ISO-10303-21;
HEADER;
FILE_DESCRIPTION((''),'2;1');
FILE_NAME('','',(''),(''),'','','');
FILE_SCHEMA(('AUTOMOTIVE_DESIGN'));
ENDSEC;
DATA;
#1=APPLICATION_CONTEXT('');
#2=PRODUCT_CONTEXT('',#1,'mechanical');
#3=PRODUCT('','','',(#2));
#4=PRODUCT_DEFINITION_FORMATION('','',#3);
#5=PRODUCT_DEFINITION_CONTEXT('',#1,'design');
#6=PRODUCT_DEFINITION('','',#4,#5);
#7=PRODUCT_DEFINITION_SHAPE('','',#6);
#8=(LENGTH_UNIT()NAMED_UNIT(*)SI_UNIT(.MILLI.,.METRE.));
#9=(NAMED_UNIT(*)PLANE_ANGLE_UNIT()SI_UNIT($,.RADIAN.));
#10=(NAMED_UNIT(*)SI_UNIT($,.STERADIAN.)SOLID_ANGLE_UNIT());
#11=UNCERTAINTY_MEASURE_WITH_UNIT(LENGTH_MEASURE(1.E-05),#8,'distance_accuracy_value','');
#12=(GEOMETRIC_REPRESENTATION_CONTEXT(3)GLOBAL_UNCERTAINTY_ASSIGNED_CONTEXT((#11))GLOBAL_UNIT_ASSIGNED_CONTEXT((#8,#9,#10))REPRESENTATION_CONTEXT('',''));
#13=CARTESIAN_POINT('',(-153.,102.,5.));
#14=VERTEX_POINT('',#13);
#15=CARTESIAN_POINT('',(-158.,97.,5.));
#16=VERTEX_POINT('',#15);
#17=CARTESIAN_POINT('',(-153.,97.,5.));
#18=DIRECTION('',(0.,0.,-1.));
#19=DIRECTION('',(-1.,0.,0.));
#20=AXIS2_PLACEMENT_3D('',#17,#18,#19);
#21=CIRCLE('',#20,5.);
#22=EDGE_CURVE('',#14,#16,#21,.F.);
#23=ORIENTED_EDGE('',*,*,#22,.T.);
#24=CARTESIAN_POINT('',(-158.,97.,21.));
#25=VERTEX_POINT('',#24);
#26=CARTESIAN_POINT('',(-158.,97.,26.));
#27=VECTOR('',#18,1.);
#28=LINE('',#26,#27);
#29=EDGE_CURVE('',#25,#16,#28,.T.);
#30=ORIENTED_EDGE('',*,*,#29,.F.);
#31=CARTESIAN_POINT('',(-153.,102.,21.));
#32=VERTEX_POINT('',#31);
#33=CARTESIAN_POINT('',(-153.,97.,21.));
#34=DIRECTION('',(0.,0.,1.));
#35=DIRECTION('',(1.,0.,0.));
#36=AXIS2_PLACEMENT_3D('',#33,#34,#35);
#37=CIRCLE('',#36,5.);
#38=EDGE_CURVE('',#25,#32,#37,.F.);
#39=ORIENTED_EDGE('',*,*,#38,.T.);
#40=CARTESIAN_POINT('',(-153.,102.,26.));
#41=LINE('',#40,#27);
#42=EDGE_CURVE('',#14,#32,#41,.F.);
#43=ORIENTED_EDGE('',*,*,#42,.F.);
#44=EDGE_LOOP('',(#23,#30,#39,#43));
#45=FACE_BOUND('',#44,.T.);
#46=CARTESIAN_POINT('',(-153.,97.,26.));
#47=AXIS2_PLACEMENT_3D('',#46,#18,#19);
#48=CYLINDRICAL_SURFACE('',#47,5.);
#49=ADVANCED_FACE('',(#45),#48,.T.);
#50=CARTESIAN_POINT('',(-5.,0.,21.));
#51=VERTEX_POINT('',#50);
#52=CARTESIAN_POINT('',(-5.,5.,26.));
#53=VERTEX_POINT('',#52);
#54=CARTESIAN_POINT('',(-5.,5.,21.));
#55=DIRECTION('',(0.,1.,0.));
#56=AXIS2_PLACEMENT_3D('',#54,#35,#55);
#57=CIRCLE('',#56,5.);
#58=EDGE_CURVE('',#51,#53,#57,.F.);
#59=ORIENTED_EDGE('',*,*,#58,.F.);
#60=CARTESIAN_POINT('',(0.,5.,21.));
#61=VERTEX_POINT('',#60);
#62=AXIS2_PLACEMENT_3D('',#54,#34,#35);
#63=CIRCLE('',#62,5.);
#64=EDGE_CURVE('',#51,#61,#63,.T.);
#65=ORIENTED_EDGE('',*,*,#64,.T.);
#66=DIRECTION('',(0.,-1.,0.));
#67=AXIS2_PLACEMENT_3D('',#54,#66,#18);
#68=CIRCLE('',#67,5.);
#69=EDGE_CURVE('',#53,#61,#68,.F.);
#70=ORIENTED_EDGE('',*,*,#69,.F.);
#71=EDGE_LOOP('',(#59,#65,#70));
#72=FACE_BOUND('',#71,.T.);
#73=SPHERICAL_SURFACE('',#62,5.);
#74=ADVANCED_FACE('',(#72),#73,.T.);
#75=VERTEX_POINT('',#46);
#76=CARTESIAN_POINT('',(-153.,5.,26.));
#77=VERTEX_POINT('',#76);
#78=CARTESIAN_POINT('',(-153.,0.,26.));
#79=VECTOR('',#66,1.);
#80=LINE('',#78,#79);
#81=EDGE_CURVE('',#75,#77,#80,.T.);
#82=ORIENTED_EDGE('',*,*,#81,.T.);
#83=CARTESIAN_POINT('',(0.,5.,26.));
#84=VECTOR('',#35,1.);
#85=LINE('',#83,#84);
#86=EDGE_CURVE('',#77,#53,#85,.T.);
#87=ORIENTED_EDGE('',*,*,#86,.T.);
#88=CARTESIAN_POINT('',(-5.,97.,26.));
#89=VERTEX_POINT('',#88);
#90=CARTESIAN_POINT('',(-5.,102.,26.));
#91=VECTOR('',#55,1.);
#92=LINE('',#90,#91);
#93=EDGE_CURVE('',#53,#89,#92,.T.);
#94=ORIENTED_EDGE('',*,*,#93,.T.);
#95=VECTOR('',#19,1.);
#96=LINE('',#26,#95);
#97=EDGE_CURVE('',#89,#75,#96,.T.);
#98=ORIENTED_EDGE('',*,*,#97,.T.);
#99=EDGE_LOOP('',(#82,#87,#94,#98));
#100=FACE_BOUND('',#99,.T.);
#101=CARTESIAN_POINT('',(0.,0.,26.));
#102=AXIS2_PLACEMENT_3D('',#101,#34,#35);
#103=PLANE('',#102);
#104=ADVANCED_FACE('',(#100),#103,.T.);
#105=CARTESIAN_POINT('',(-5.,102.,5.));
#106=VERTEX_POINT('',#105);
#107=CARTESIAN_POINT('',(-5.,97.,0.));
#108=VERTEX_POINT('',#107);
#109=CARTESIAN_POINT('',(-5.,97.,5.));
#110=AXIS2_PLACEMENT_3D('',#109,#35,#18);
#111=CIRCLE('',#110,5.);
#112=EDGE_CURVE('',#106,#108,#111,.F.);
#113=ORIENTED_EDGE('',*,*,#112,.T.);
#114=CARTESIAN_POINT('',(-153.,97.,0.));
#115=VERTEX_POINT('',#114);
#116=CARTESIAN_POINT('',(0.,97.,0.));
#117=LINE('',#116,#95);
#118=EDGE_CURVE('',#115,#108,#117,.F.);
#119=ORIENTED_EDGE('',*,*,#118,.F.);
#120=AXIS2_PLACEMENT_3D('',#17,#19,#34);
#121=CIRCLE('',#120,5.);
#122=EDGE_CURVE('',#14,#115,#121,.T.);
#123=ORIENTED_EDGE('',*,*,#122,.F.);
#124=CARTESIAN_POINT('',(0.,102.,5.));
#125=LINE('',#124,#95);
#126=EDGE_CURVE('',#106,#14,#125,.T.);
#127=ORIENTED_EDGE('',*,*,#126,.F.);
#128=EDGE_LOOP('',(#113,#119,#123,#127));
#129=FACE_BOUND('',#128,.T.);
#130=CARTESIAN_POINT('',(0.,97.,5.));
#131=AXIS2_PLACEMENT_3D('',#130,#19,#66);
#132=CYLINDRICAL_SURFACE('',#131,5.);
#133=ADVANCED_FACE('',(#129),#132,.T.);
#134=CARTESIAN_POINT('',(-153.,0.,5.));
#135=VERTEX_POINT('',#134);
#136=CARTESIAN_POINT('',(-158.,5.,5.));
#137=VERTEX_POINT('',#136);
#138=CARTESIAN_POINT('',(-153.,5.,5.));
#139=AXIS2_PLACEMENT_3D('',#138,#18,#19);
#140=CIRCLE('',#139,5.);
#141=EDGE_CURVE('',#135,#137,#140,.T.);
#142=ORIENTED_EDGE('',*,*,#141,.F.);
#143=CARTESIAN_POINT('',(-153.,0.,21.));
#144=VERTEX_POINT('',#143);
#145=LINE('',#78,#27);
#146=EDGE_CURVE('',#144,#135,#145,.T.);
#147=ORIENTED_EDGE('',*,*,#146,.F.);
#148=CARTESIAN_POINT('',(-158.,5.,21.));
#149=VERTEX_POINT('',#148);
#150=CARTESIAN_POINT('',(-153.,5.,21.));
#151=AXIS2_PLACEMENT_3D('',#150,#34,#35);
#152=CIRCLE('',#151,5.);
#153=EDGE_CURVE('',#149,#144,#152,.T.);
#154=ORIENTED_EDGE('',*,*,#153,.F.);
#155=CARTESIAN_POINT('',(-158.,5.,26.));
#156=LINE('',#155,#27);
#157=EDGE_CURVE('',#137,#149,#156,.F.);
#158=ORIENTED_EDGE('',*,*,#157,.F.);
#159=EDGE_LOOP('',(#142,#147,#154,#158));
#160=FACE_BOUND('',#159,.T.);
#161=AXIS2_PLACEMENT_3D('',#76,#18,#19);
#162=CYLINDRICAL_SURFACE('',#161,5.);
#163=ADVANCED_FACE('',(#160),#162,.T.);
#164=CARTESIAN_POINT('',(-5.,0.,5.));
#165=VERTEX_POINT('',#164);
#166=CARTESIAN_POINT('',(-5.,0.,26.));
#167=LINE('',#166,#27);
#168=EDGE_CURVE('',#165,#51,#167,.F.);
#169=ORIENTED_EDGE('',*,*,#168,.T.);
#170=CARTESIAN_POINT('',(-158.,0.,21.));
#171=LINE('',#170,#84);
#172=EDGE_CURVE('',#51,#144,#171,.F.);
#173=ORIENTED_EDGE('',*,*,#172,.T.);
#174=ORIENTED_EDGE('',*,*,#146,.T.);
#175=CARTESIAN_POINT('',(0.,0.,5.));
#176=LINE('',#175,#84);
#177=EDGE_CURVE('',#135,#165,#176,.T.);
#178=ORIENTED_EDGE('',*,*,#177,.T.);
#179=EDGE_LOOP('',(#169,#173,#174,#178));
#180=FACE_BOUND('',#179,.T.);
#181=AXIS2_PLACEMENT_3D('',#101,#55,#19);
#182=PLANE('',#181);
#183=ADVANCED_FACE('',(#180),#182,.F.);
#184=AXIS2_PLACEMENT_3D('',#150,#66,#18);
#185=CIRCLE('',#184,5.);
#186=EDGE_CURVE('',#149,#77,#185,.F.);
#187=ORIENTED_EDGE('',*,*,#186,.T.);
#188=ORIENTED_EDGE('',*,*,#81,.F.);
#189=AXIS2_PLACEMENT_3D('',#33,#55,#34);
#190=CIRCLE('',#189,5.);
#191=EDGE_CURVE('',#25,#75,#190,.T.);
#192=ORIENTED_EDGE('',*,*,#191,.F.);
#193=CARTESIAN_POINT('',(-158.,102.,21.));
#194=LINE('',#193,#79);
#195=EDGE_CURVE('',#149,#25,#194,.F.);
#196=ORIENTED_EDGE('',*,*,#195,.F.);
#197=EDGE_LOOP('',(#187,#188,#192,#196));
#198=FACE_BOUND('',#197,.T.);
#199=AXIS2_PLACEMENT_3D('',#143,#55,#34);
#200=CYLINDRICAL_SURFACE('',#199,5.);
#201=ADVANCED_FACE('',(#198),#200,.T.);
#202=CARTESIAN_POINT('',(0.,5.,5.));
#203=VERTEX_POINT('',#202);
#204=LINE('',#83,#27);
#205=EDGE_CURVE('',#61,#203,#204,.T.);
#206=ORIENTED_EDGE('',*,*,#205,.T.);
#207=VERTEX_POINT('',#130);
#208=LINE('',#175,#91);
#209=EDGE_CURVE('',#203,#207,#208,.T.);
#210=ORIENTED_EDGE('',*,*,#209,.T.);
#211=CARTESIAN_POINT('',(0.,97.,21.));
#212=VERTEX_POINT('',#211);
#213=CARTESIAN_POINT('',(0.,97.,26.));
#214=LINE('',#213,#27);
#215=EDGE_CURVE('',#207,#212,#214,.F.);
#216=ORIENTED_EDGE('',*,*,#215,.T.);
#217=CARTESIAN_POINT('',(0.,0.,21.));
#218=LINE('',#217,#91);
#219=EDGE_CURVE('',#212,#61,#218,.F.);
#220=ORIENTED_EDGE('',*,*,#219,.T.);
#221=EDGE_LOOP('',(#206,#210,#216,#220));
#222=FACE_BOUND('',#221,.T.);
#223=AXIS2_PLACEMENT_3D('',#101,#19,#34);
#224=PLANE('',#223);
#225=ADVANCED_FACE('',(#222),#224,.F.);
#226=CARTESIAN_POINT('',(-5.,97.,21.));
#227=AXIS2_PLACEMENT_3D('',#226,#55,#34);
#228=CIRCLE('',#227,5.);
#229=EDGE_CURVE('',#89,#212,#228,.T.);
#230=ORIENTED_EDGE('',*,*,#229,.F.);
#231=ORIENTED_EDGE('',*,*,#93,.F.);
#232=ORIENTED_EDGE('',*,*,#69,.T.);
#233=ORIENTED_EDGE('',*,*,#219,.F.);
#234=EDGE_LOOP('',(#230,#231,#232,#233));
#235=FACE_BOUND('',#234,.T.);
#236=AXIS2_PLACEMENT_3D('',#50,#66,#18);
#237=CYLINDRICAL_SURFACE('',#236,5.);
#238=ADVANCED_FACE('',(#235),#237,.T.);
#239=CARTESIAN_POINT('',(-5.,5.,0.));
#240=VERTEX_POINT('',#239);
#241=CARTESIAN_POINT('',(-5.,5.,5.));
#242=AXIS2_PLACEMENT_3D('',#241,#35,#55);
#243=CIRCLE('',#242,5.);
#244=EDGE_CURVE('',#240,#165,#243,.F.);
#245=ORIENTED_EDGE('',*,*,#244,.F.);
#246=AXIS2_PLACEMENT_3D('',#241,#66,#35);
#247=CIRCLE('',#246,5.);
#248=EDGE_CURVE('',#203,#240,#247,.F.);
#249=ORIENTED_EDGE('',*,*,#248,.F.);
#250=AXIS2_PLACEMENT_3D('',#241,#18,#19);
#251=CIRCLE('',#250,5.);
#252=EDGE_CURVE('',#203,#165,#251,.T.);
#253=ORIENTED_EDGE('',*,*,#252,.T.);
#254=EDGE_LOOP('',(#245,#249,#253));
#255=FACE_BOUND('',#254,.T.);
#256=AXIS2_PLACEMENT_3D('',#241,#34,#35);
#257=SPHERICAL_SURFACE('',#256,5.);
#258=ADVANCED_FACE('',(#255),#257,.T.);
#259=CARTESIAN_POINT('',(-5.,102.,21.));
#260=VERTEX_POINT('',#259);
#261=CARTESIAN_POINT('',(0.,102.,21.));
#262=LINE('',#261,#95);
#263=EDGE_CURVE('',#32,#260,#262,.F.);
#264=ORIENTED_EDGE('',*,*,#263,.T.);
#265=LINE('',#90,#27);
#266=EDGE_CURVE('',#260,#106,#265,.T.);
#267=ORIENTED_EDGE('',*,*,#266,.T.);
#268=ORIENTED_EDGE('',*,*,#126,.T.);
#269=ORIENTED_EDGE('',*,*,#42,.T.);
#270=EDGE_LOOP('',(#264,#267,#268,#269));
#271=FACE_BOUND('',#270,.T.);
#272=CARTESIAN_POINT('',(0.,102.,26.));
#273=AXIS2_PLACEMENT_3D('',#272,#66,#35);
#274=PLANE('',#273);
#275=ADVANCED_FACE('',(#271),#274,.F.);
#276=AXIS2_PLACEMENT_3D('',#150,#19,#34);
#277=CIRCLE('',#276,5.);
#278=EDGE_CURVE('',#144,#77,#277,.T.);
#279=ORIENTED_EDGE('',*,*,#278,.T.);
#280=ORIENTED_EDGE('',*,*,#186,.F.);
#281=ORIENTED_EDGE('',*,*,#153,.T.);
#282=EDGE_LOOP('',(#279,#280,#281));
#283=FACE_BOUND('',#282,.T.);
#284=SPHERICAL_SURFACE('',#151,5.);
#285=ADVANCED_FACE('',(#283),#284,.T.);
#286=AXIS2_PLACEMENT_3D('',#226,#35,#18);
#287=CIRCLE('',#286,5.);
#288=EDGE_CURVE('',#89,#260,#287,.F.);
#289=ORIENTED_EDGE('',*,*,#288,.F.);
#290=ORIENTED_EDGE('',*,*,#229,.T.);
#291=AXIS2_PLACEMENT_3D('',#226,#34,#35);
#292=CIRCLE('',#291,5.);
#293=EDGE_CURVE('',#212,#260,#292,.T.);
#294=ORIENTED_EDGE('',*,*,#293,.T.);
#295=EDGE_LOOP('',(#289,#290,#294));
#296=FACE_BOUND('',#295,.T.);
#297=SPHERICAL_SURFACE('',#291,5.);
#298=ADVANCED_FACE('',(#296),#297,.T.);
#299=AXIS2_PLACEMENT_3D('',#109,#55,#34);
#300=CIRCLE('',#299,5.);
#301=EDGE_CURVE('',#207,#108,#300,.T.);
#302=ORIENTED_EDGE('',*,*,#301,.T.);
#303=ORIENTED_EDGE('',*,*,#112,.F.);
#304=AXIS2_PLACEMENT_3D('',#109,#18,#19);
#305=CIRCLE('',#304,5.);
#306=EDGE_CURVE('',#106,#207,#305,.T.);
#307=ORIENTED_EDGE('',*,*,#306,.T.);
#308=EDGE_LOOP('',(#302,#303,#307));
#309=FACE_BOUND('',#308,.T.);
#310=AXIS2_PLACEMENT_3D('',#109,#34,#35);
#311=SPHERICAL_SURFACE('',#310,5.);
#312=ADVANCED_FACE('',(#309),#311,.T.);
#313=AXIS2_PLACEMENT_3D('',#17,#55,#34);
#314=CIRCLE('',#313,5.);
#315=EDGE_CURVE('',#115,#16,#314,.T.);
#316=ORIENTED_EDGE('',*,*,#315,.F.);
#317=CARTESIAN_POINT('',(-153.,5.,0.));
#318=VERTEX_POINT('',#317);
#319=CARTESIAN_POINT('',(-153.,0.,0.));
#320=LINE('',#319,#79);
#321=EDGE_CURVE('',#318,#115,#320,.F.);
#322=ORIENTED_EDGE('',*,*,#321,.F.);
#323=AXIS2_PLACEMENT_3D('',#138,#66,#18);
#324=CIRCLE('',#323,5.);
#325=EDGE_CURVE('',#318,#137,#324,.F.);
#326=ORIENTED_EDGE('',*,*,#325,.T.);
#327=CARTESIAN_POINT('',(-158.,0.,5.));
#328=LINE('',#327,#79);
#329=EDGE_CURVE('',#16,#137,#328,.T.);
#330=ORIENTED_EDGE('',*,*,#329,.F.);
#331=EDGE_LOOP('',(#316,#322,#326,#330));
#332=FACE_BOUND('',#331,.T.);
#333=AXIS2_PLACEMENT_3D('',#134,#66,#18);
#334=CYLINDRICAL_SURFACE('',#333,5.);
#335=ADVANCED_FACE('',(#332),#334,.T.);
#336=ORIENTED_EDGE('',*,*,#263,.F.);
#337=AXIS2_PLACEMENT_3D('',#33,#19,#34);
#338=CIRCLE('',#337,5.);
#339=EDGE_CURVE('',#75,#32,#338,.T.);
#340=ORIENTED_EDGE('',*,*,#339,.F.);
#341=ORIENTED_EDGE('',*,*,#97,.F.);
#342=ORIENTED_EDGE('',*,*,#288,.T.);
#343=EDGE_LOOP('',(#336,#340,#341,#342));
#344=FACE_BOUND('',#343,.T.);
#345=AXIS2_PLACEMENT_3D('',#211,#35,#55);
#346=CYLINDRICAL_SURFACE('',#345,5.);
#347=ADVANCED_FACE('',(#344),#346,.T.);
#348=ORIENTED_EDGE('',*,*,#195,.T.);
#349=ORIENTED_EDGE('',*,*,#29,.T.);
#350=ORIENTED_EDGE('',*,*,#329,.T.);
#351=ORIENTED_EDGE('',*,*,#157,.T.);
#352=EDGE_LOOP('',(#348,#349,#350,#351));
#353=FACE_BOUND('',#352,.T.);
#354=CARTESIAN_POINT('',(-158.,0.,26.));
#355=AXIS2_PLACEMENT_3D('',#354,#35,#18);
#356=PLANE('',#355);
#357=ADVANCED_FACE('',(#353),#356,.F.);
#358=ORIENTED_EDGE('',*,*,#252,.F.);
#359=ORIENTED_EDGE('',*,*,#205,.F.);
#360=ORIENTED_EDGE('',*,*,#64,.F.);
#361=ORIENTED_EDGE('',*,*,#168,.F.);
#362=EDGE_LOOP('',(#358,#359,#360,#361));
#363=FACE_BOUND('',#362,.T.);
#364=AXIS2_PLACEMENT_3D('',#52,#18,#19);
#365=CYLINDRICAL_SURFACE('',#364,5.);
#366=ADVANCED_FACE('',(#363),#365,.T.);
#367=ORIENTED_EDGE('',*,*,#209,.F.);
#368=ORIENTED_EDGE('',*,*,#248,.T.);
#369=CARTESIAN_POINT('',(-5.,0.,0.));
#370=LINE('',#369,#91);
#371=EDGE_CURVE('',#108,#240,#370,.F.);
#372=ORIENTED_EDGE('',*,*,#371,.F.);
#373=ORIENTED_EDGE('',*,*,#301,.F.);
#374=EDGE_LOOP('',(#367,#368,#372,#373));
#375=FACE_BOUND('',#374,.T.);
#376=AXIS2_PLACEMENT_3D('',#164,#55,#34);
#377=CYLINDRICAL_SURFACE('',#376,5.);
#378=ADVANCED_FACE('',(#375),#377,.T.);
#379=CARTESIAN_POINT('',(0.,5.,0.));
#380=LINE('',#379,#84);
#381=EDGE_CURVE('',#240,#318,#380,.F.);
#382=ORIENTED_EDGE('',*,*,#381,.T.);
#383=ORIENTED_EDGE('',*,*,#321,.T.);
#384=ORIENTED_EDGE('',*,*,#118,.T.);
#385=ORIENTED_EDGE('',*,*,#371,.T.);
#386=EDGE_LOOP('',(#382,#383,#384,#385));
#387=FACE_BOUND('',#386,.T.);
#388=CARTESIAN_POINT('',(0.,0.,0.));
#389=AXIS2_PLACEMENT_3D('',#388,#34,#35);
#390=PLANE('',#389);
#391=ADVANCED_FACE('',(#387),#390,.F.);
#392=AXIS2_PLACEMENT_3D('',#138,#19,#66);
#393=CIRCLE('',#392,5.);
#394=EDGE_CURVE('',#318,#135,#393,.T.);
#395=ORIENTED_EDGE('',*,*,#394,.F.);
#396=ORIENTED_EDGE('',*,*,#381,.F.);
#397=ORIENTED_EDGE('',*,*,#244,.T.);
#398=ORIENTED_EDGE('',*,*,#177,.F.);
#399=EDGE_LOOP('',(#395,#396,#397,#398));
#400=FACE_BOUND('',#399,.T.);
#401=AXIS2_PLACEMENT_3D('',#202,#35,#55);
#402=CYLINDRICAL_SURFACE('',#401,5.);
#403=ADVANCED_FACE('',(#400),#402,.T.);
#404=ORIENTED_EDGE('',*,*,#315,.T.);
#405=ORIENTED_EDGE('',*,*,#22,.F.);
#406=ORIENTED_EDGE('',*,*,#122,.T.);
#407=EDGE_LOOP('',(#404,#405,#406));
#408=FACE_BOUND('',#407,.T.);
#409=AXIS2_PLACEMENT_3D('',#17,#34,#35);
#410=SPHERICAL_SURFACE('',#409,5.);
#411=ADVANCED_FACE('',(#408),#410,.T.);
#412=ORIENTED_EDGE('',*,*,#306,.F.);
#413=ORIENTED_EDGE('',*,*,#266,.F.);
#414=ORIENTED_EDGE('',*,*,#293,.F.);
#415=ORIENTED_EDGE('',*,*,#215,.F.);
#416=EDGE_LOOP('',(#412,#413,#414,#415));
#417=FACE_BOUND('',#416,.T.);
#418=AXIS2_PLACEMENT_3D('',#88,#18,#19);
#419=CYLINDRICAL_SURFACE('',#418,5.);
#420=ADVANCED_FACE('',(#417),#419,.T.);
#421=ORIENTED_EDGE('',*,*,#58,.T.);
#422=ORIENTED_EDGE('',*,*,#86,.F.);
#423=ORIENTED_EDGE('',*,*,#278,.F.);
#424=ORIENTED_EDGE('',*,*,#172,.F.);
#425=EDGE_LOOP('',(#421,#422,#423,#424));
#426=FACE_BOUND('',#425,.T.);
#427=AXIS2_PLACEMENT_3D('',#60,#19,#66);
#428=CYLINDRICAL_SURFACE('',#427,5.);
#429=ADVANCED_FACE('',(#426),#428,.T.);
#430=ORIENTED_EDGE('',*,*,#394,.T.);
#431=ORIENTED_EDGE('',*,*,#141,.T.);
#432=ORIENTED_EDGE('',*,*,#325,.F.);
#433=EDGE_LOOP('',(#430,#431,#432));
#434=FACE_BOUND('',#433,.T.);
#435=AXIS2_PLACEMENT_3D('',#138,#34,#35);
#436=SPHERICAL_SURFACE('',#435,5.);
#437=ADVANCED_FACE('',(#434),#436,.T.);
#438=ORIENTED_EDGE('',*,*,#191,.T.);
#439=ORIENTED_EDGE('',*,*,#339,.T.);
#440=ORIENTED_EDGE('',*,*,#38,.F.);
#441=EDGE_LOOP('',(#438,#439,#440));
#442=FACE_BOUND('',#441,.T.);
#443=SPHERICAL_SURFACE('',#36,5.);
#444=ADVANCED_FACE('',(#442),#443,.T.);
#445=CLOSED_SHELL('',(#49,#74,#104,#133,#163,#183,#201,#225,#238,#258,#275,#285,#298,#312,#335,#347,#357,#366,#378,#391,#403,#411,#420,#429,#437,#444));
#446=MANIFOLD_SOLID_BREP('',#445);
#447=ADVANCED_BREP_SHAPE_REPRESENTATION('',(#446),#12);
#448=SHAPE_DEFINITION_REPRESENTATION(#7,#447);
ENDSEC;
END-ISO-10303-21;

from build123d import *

# Parameters (mm, degrees)
ESQUISSE1_W        = 158
ESQUISSE1_H        = 102
BOSS_EXTRU_1_DEPTH = 26
CONG_1_R           = 5


with BuildPart() as part:
    # Esquisse1 → Boss.-Extru.1 (new body)
    with BuildSketch(Plane.XY):
        with Locations((-79, 51)):
            Rectangle(ESQUISSE1_W, ESQUISSE1_H)
    extrude(amount=BOSS_EXTRU_1_DEPTH)

    # Congé1
    cong_1_edges = [part.edges().sort_by_distance(p)[0] for p in [
        (-158, 51, 26),
        (-79, 0, 26),
        (0, 51, 26),
        (-79, 0, 0),
        (-158, 51, 0),
        (-79, 102, 0),
        (0, 51, 0),
        (-79, 102, 26),
        (0, 0, 13),
        (-158, 0, 13),
        (-158, 102, 13),
        (0, 102, 13),
    ]]
    fillet(cong_1_edges, radius=CONG_1_R)


solid = part.part
